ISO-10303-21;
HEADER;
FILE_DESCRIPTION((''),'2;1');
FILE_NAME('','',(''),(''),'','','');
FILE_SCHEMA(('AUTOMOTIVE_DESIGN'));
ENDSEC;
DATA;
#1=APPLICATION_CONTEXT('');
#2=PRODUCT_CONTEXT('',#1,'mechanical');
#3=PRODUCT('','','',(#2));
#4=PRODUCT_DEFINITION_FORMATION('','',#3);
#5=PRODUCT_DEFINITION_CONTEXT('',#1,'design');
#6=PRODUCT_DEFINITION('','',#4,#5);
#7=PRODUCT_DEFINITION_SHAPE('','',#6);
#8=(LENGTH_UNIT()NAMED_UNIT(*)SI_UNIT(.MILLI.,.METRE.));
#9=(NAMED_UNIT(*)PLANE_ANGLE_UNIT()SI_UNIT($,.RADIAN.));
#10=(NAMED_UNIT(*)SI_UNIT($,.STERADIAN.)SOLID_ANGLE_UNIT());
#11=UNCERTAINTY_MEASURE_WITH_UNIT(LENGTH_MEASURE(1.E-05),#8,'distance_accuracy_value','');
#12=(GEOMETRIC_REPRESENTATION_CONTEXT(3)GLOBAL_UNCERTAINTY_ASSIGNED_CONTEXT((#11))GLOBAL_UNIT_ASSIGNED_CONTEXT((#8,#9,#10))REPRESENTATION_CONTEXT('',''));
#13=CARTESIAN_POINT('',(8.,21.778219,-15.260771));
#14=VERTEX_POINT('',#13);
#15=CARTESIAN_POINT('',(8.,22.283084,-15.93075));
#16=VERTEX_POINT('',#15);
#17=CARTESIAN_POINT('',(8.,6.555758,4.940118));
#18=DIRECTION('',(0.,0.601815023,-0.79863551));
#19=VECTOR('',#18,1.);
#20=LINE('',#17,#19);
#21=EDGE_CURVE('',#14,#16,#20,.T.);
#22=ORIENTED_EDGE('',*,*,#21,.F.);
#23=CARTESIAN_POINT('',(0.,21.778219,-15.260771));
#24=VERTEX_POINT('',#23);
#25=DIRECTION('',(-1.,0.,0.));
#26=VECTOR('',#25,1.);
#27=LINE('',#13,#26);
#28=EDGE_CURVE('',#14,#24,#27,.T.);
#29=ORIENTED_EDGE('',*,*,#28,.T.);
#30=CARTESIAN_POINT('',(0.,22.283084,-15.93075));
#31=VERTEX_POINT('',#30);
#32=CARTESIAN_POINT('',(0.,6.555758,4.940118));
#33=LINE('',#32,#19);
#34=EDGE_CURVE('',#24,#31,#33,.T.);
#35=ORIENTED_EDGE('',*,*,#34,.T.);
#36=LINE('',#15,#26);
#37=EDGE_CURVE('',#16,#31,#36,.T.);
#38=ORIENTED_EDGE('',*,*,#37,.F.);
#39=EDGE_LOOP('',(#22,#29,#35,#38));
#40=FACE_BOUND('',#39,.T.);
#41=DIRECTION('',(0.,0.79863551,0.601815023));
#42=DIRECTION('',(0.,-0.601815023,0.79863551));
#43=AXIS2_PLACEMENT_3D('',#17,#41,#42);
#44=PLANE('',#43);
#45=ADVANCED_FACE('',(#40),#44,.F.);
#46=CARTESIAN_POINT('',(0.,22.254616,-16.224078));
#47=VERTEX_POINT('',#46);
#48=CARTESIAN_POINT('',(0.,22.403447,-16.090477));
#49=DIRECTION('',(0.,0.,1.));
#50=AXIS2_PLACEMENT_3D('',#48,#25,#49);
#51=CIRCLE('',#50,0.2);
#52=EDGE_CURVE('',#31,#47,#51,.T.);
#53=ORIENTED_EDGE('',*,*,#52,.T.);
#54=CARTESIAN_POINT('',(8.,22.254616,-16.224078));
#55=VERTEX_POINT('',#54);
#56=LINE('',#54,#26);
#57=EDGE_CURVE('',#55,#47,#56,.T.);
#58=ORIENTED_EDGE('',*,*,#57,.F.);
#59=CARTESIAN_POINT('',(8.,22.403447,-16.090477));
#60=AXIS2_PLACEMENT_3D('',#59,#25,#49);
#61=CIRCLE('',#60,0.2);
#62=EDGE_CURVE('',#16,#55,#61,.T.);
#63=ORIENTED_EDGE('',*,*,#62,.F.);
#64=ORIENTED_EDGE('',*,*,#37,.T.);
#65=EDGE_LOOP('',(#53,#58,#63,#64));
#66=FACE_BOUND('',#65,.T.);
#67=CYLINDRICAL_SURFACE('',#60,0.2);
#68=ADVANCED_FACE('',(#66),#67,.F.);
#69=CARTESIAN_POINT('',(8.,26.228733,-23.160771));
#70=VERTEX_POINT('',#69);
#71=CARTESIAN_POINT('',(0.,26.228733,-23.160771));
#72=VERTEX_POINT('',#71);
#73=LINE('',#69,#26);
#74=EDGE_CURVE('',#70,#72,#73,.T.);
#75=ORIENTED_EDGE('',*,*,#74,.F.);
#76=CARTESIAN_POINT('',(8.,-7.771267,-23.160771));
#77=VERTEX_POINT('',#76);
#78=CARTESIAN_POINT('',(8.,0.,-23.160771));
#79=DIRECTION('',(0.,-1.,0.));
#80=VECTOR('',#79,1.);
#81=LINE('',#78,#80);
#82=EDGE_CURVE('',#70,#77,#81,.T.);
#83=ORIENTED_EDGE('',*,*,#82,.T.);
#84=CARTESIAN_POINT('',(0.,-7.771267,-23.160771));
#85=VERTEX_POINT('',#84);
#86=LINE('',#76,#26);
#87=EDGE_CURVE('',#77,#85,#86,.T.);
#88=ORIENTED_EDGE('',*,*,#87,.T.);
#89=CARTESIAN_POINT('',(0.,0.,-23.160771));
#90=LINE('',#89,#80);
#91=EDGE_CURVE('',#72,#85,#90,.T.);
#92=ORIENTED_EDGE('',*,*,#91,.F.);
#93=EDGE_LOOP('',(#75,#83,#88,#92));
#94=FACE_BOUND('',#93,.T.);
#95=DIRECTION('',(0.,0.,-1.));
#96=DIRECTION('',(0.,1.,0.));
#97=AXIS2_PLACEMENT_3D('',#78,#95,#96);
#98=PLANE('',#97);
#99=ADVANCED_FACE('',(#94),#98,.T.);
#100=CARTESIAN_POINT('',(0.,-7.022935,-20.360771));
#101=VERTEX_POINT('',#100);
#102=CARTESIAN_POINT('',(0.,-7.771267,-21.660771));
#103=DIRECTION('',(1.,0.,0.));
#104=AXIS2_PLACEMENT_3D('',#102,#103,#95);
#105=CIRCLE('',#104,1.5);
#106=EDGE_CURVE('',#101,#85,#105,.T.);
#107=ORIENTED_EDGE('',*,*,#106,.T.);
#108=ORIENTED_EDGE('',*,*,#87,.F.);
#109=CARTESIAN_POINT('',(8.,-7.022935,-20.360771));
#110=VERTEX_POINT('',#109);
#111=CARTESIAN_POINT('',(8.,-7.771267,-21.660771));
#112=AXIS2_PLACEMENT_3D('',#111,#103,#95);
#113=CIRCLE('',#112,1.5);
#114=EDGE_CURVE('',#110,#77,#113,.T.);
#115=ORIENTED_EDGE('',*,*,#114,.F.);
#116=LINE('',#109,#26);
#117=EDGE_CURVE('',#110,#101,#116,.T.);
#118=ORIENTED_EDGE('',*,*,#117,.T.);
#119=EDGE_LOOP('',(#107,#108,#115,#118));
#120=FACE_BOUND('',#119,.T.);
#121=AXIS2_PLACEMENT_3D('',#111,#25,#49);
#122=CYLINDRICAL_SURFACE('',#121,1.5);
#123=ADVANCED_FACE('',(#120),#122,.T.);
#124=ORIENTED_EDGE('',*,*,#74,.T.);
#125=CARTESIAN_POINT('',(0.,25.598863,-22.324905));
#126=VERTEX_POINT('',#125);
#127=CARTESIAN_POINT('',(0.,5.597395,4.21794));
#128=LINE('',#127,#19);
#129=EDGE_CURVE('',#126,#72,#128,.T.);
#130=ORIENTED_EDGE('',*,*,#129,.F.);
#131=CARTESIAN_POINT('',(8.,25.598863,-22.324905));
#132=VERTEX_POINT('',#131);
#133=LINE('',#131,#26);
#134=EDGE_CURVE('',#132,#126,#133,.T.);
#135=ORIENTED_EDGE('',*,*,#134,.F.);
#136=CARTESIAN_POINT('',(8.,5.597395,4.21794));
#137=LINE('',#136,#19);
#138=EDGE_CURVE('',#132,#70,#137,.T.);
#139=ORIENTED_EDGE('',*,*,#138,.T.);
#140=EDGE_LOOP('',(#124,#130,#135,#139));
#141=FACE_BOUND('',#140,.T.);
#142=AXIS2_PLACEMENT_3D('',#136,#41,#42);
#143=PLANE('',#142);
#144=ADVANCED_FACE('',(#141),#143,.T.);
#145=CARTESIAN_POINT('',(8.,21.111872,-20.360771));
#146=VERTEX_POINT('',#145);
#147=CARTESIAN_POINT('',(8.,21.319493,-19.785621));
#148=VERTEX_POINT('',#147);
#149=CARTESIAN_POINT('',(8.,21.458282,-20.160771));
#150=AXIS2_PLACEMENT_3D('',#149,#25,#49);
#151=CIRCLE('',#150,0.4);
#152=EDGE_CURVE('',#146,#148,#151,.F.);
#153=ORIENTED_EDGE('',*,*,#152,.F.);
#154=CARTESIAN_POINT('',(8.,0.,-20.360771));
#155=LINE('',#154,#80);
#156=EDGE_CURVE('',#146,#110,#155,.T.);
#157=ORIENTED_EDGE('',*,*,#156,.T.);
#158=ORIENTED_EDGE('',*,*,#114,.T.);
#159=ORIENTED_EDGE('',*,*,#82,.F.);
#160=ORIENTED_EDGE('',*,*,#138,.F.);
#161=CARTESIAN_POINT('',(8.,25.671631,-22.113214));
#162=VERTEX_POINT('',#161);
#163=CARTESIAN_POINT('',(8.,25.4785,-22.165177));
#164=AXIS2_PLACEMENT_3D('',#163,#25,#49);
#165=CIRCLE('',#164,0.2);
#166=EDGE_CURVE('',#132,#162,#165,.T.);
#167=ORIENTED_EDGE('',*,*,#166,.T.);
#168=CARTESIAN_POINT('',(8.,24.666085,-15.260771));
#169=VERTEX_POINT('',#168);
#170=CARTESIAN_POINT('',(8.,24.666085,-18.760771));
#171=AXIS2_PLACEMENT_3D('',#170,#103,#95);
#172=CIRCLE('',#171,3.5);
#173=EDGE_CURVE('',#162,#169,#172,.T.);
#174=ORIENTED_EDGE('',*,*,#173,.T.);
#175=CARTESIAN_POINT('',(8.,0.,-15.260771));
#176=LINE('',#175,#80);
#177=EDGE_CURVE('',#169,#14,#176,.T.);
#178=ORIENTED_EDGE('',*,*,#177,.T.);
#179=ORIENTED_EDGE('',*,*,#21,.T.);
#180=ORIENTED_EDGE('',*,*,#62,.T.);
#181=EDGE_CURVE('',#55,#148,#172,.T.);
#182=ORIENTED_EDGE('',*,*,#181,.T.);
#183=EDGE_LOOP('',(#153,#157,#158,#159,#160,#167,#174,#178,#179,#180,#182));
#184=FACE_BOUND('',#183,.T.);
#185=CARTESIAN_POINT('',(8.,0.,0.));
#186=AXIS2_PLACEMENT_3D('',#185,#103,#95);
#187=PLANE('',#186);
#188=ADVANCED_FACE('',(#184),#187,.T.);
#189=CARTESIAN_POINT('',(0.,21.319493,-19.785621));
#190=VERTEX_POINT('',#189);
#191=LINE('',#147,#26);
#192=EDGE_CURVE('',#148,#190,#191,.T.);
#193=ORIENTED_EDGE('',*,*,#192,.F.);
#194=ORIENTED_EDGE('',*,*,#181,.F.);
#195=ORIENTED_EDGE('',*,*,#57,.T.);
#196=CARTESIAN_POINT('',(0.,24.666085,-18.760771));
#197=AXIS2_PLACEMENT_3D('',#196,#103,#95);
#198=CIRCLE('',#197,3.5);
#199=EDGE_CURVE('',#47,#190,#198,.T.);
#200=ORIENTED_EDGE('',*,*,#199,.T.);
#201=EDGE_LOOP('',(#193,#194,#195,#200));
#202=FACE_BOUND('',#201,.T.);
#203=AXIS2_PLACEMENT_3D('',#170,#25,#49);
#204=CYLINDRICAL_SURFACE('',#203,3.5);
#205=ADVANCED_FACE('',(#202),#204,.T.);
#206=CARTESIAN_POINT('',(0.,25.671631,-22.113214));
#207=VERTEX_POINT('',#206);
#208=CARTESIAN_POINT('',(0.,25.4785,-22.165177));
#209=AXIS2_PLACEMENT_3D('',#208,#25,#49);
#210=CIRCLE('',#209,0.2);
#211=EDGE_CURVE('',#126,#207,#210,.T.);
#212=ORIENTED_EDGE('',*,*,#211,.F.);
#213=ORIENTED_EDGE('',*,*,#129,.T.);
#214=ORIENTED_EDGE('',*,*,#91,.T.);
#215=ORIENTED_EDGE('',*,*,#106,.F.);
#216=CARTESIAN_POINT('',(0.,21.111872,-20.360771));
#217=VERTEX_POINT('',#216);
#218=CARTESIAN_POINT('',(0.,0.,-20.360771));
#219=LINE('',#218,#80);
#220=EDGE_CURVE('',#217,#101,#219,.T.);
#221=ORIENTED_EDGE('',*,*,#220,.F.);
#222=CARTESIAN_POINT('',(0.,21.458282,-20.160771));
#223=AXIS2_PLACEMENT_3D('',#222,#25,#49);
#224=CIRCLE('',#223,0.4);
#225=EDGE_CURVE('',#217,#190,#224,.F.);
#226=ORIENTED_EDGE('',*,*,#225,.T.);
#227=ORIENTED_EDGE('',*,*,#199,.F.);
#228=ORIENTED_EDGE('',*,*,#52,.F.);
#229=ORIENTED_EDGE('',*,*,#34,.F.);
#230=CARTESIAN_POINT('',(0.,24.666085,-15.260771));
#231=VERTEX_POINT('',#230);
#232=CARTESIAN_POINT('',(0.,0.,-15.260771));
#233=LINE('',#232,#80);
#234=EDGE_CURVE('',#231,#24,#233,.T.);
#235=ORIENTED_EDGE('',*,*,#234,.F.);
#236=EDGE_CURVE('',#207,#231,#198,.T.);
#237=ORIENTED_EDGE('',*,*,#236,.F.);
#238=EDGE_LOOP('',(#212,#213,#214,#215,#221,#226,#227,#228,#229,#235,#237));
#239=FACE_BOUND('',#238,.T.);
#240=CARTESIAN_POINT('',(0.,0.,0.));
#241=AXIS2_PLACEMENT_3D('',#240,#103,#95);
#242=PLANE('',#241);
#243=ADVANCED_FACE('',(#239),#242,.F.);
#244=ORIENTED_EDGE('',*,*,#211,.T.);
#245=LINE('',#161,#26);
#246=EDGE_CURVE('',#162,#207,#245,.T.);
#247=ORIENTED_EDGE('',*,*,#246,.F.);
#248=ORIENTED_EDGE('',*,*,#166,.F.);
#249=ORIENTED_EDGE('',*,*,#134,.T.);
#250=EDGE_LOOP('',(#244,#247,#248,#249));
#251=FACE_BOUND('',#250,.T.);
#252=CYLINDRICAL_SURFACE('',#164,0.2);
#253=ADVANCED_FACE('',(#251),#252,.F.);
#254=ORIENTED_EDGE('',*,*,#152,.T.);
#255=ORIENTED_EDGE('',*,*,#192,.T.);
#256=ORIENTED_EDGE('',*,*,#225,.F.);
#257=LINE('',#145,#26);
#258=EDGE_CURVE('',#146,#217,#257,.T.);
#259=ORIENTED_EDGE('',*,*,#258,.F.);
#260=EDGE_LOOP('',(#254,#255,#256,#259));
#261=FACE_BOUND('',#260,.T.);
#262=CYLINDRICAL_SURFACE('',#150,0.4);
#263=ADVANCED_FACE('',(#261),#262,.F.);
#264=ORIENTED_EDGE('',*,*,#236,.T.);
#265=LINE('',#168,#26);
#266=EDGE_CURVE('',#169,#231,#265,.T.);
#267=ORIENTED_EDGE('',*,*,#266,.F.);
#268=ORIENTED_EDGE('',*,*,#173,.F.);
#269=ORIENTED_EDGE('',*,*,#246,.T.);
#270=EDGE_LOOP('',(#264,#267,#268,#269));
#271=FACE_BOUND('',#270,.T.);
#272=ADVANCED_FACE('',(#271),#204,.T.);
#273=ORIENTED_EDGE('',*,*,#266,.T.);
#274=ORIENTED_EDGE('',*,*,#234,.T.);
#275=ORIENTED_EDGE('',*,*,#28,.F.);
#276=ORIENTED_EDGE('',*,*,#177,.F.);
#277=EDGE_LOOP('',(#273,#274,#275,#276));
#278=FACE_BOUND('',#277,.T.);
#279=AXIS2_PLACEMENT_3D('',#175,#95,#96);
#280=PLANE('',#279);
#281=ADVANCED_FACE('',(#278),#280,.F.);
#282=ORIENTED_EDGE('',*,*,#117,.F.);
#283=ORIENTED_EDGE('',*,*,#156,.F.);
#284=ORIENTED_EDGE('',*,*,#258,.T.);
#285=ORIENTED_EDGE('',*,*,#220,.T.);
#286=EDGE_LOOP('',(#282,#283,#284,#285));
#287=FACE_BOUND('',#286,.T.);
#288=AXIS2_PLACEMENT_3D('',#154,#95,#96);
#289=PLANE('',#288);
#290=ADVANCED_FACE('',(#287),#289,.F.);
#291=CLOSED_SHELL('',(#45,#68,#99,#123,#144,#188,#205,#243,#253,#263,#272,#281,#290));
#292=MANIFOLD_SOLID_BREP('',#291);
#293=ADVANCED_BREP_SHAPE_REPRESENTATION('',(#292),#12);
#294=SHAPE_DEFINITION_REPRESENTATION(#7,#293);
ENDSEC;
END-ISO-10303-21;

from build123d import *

# Parameters (mm, degrees)
BOSS_EXTRUDE1_DEPTH = 8
CUT_EXTRUDE1_DEPTH  = 38.332956939


with BuildPart() as part:
    # Sketch1 → Boss-Extrude1 (new body)
    with BuildSketch(Plane.YZ):
        with BuildLine():
            Line((21.778218983, -15.260770999), (22.403447361, -16.090477082))
            ThreePointArc((22.403447361, -16.090477082), (21.256795907, -17.969098146), (21.458282303, -20.160770999))
            Line((21.458282303, -20.160770999), (-7.771266811, -20.160770999))
            ThreePointArc((-7.771266811, -20.160770999), (-9.271266811, -21.660770999), (-7.771266811, -23.160770999))
            Line((-7.771266811, -23.160770999), (26.228733189, -23.160770999))
            Line((26.228733189, -23.160770999), (25.478499604, -22.165177406))
            ThreePointArc((25.478499604, -22.165177406), (28.142104739, -18.351761478), (24.66608529, -15.260770999))
            Line((24.66608529, -15.260770999), (21.778218983, -15.260770999))
        make_face()
    extrude(amount=BOSS_EXTRUDE1_DEPTH)

    # Sketch2 → Cut-Extrude1 (cut, through all)
    with BuildSketch(Plane(origin=(0, 0, 0), x_dir=(0, -1, 0), z_dir=(-1, 0, 0))):
        with BuildLine():
            ThreePointArc((-22.283084357, -15.93074998), (-22.602512003, -16.109797243), (-22.254615534, -16.224077557))
            ThreePointArc((-22.254615534, -16.224077557), (-22.328076964, -16.156214018), (-22.403447361, -16.090477082))
            Line((-22.403447361, -16.090477082), (-22.283084357, -15.93074998))
        make_face()
        with BuildLine():
            ThreePointArc((-21.458282303, -20.160770999), (-21.383523815, -19.975180388), (-21.319492659, -19.785621116))
            ThreePointArc((-21.319492659, -19.785621116), (-21.83451901, -20.296586831), (-21.111872142, -20.360770999))
            Line((-21.111872142, -20.360770999), (-21.458282303, -20.160770999))
        make_face()
        with BuildLine():
            Line((-25.478499604, -22.165177406), (-25.598862609, -22.324904508))
            ThreePointArc((-25.598862609, -22.324904508), (-25.289362351, -22.100161258), (-25.671631303, -22.113214469))
            ThreePointArc((-25.671631303, -22.113214469), (-25.575436693, -22.140575731), (-25.478499604, -22.165177406))
        make_face()
        with BuildLine():
            ThreePointArc((7.771266811, -20.160770999), (7.383968477, -20.211633325), (7.022935334, -20.360770999))
            Line((7.022935334, -20.360770999), (-21.111872142, -20.360770999))
            Line((-21.111872142, -20.360770999), (-21.458282303, -20.160770999))
            Line((-21.458282303, -20.160770999), (7.771266811, -20.160770999))
        make_face()
        with BuildLine():
            Line((-21.319492659, -20.160770999), (-21.319492659, -19.785621116))
            ThreePointArc((-21.319492659, -19.785621116), (-21.383523815, -19.975180388), (-21.458282303, -20.160770999))
            Line((-21.458282303, -20.160770999), (-21.319492659, -20.160770999))
        make_face()
        with BuildLine():
            Line((-25.671631303, -22.113214469), (-25.598862609, -22.324904508))
            Line((-25.598862609, -22.324904508), (-25.478499604, -22.165177406))
            ThreePointArc((-25.478499604, -22.165177406), (-25.575436693, -22.140575731), (-25.671631303, -22.113214469))
        make_face()
        with BuildLine():
            ThreePointArc((-22.403447361, -16.090477082), (-22.328076964, -16.156214018), (-22.254615534, -16.224077557))
            Line((-22.254615534, -16.224077557), (-22.283084357, -15.93074998))
            Line((-22.283084357, -15.93074998), (-22.403447361, -16.090477082))
        make_face()
    extrude(amount=-CUT_EXTRUDE1_DEPTH, mode=Mode.SUBTRACT)


solid = part.part
